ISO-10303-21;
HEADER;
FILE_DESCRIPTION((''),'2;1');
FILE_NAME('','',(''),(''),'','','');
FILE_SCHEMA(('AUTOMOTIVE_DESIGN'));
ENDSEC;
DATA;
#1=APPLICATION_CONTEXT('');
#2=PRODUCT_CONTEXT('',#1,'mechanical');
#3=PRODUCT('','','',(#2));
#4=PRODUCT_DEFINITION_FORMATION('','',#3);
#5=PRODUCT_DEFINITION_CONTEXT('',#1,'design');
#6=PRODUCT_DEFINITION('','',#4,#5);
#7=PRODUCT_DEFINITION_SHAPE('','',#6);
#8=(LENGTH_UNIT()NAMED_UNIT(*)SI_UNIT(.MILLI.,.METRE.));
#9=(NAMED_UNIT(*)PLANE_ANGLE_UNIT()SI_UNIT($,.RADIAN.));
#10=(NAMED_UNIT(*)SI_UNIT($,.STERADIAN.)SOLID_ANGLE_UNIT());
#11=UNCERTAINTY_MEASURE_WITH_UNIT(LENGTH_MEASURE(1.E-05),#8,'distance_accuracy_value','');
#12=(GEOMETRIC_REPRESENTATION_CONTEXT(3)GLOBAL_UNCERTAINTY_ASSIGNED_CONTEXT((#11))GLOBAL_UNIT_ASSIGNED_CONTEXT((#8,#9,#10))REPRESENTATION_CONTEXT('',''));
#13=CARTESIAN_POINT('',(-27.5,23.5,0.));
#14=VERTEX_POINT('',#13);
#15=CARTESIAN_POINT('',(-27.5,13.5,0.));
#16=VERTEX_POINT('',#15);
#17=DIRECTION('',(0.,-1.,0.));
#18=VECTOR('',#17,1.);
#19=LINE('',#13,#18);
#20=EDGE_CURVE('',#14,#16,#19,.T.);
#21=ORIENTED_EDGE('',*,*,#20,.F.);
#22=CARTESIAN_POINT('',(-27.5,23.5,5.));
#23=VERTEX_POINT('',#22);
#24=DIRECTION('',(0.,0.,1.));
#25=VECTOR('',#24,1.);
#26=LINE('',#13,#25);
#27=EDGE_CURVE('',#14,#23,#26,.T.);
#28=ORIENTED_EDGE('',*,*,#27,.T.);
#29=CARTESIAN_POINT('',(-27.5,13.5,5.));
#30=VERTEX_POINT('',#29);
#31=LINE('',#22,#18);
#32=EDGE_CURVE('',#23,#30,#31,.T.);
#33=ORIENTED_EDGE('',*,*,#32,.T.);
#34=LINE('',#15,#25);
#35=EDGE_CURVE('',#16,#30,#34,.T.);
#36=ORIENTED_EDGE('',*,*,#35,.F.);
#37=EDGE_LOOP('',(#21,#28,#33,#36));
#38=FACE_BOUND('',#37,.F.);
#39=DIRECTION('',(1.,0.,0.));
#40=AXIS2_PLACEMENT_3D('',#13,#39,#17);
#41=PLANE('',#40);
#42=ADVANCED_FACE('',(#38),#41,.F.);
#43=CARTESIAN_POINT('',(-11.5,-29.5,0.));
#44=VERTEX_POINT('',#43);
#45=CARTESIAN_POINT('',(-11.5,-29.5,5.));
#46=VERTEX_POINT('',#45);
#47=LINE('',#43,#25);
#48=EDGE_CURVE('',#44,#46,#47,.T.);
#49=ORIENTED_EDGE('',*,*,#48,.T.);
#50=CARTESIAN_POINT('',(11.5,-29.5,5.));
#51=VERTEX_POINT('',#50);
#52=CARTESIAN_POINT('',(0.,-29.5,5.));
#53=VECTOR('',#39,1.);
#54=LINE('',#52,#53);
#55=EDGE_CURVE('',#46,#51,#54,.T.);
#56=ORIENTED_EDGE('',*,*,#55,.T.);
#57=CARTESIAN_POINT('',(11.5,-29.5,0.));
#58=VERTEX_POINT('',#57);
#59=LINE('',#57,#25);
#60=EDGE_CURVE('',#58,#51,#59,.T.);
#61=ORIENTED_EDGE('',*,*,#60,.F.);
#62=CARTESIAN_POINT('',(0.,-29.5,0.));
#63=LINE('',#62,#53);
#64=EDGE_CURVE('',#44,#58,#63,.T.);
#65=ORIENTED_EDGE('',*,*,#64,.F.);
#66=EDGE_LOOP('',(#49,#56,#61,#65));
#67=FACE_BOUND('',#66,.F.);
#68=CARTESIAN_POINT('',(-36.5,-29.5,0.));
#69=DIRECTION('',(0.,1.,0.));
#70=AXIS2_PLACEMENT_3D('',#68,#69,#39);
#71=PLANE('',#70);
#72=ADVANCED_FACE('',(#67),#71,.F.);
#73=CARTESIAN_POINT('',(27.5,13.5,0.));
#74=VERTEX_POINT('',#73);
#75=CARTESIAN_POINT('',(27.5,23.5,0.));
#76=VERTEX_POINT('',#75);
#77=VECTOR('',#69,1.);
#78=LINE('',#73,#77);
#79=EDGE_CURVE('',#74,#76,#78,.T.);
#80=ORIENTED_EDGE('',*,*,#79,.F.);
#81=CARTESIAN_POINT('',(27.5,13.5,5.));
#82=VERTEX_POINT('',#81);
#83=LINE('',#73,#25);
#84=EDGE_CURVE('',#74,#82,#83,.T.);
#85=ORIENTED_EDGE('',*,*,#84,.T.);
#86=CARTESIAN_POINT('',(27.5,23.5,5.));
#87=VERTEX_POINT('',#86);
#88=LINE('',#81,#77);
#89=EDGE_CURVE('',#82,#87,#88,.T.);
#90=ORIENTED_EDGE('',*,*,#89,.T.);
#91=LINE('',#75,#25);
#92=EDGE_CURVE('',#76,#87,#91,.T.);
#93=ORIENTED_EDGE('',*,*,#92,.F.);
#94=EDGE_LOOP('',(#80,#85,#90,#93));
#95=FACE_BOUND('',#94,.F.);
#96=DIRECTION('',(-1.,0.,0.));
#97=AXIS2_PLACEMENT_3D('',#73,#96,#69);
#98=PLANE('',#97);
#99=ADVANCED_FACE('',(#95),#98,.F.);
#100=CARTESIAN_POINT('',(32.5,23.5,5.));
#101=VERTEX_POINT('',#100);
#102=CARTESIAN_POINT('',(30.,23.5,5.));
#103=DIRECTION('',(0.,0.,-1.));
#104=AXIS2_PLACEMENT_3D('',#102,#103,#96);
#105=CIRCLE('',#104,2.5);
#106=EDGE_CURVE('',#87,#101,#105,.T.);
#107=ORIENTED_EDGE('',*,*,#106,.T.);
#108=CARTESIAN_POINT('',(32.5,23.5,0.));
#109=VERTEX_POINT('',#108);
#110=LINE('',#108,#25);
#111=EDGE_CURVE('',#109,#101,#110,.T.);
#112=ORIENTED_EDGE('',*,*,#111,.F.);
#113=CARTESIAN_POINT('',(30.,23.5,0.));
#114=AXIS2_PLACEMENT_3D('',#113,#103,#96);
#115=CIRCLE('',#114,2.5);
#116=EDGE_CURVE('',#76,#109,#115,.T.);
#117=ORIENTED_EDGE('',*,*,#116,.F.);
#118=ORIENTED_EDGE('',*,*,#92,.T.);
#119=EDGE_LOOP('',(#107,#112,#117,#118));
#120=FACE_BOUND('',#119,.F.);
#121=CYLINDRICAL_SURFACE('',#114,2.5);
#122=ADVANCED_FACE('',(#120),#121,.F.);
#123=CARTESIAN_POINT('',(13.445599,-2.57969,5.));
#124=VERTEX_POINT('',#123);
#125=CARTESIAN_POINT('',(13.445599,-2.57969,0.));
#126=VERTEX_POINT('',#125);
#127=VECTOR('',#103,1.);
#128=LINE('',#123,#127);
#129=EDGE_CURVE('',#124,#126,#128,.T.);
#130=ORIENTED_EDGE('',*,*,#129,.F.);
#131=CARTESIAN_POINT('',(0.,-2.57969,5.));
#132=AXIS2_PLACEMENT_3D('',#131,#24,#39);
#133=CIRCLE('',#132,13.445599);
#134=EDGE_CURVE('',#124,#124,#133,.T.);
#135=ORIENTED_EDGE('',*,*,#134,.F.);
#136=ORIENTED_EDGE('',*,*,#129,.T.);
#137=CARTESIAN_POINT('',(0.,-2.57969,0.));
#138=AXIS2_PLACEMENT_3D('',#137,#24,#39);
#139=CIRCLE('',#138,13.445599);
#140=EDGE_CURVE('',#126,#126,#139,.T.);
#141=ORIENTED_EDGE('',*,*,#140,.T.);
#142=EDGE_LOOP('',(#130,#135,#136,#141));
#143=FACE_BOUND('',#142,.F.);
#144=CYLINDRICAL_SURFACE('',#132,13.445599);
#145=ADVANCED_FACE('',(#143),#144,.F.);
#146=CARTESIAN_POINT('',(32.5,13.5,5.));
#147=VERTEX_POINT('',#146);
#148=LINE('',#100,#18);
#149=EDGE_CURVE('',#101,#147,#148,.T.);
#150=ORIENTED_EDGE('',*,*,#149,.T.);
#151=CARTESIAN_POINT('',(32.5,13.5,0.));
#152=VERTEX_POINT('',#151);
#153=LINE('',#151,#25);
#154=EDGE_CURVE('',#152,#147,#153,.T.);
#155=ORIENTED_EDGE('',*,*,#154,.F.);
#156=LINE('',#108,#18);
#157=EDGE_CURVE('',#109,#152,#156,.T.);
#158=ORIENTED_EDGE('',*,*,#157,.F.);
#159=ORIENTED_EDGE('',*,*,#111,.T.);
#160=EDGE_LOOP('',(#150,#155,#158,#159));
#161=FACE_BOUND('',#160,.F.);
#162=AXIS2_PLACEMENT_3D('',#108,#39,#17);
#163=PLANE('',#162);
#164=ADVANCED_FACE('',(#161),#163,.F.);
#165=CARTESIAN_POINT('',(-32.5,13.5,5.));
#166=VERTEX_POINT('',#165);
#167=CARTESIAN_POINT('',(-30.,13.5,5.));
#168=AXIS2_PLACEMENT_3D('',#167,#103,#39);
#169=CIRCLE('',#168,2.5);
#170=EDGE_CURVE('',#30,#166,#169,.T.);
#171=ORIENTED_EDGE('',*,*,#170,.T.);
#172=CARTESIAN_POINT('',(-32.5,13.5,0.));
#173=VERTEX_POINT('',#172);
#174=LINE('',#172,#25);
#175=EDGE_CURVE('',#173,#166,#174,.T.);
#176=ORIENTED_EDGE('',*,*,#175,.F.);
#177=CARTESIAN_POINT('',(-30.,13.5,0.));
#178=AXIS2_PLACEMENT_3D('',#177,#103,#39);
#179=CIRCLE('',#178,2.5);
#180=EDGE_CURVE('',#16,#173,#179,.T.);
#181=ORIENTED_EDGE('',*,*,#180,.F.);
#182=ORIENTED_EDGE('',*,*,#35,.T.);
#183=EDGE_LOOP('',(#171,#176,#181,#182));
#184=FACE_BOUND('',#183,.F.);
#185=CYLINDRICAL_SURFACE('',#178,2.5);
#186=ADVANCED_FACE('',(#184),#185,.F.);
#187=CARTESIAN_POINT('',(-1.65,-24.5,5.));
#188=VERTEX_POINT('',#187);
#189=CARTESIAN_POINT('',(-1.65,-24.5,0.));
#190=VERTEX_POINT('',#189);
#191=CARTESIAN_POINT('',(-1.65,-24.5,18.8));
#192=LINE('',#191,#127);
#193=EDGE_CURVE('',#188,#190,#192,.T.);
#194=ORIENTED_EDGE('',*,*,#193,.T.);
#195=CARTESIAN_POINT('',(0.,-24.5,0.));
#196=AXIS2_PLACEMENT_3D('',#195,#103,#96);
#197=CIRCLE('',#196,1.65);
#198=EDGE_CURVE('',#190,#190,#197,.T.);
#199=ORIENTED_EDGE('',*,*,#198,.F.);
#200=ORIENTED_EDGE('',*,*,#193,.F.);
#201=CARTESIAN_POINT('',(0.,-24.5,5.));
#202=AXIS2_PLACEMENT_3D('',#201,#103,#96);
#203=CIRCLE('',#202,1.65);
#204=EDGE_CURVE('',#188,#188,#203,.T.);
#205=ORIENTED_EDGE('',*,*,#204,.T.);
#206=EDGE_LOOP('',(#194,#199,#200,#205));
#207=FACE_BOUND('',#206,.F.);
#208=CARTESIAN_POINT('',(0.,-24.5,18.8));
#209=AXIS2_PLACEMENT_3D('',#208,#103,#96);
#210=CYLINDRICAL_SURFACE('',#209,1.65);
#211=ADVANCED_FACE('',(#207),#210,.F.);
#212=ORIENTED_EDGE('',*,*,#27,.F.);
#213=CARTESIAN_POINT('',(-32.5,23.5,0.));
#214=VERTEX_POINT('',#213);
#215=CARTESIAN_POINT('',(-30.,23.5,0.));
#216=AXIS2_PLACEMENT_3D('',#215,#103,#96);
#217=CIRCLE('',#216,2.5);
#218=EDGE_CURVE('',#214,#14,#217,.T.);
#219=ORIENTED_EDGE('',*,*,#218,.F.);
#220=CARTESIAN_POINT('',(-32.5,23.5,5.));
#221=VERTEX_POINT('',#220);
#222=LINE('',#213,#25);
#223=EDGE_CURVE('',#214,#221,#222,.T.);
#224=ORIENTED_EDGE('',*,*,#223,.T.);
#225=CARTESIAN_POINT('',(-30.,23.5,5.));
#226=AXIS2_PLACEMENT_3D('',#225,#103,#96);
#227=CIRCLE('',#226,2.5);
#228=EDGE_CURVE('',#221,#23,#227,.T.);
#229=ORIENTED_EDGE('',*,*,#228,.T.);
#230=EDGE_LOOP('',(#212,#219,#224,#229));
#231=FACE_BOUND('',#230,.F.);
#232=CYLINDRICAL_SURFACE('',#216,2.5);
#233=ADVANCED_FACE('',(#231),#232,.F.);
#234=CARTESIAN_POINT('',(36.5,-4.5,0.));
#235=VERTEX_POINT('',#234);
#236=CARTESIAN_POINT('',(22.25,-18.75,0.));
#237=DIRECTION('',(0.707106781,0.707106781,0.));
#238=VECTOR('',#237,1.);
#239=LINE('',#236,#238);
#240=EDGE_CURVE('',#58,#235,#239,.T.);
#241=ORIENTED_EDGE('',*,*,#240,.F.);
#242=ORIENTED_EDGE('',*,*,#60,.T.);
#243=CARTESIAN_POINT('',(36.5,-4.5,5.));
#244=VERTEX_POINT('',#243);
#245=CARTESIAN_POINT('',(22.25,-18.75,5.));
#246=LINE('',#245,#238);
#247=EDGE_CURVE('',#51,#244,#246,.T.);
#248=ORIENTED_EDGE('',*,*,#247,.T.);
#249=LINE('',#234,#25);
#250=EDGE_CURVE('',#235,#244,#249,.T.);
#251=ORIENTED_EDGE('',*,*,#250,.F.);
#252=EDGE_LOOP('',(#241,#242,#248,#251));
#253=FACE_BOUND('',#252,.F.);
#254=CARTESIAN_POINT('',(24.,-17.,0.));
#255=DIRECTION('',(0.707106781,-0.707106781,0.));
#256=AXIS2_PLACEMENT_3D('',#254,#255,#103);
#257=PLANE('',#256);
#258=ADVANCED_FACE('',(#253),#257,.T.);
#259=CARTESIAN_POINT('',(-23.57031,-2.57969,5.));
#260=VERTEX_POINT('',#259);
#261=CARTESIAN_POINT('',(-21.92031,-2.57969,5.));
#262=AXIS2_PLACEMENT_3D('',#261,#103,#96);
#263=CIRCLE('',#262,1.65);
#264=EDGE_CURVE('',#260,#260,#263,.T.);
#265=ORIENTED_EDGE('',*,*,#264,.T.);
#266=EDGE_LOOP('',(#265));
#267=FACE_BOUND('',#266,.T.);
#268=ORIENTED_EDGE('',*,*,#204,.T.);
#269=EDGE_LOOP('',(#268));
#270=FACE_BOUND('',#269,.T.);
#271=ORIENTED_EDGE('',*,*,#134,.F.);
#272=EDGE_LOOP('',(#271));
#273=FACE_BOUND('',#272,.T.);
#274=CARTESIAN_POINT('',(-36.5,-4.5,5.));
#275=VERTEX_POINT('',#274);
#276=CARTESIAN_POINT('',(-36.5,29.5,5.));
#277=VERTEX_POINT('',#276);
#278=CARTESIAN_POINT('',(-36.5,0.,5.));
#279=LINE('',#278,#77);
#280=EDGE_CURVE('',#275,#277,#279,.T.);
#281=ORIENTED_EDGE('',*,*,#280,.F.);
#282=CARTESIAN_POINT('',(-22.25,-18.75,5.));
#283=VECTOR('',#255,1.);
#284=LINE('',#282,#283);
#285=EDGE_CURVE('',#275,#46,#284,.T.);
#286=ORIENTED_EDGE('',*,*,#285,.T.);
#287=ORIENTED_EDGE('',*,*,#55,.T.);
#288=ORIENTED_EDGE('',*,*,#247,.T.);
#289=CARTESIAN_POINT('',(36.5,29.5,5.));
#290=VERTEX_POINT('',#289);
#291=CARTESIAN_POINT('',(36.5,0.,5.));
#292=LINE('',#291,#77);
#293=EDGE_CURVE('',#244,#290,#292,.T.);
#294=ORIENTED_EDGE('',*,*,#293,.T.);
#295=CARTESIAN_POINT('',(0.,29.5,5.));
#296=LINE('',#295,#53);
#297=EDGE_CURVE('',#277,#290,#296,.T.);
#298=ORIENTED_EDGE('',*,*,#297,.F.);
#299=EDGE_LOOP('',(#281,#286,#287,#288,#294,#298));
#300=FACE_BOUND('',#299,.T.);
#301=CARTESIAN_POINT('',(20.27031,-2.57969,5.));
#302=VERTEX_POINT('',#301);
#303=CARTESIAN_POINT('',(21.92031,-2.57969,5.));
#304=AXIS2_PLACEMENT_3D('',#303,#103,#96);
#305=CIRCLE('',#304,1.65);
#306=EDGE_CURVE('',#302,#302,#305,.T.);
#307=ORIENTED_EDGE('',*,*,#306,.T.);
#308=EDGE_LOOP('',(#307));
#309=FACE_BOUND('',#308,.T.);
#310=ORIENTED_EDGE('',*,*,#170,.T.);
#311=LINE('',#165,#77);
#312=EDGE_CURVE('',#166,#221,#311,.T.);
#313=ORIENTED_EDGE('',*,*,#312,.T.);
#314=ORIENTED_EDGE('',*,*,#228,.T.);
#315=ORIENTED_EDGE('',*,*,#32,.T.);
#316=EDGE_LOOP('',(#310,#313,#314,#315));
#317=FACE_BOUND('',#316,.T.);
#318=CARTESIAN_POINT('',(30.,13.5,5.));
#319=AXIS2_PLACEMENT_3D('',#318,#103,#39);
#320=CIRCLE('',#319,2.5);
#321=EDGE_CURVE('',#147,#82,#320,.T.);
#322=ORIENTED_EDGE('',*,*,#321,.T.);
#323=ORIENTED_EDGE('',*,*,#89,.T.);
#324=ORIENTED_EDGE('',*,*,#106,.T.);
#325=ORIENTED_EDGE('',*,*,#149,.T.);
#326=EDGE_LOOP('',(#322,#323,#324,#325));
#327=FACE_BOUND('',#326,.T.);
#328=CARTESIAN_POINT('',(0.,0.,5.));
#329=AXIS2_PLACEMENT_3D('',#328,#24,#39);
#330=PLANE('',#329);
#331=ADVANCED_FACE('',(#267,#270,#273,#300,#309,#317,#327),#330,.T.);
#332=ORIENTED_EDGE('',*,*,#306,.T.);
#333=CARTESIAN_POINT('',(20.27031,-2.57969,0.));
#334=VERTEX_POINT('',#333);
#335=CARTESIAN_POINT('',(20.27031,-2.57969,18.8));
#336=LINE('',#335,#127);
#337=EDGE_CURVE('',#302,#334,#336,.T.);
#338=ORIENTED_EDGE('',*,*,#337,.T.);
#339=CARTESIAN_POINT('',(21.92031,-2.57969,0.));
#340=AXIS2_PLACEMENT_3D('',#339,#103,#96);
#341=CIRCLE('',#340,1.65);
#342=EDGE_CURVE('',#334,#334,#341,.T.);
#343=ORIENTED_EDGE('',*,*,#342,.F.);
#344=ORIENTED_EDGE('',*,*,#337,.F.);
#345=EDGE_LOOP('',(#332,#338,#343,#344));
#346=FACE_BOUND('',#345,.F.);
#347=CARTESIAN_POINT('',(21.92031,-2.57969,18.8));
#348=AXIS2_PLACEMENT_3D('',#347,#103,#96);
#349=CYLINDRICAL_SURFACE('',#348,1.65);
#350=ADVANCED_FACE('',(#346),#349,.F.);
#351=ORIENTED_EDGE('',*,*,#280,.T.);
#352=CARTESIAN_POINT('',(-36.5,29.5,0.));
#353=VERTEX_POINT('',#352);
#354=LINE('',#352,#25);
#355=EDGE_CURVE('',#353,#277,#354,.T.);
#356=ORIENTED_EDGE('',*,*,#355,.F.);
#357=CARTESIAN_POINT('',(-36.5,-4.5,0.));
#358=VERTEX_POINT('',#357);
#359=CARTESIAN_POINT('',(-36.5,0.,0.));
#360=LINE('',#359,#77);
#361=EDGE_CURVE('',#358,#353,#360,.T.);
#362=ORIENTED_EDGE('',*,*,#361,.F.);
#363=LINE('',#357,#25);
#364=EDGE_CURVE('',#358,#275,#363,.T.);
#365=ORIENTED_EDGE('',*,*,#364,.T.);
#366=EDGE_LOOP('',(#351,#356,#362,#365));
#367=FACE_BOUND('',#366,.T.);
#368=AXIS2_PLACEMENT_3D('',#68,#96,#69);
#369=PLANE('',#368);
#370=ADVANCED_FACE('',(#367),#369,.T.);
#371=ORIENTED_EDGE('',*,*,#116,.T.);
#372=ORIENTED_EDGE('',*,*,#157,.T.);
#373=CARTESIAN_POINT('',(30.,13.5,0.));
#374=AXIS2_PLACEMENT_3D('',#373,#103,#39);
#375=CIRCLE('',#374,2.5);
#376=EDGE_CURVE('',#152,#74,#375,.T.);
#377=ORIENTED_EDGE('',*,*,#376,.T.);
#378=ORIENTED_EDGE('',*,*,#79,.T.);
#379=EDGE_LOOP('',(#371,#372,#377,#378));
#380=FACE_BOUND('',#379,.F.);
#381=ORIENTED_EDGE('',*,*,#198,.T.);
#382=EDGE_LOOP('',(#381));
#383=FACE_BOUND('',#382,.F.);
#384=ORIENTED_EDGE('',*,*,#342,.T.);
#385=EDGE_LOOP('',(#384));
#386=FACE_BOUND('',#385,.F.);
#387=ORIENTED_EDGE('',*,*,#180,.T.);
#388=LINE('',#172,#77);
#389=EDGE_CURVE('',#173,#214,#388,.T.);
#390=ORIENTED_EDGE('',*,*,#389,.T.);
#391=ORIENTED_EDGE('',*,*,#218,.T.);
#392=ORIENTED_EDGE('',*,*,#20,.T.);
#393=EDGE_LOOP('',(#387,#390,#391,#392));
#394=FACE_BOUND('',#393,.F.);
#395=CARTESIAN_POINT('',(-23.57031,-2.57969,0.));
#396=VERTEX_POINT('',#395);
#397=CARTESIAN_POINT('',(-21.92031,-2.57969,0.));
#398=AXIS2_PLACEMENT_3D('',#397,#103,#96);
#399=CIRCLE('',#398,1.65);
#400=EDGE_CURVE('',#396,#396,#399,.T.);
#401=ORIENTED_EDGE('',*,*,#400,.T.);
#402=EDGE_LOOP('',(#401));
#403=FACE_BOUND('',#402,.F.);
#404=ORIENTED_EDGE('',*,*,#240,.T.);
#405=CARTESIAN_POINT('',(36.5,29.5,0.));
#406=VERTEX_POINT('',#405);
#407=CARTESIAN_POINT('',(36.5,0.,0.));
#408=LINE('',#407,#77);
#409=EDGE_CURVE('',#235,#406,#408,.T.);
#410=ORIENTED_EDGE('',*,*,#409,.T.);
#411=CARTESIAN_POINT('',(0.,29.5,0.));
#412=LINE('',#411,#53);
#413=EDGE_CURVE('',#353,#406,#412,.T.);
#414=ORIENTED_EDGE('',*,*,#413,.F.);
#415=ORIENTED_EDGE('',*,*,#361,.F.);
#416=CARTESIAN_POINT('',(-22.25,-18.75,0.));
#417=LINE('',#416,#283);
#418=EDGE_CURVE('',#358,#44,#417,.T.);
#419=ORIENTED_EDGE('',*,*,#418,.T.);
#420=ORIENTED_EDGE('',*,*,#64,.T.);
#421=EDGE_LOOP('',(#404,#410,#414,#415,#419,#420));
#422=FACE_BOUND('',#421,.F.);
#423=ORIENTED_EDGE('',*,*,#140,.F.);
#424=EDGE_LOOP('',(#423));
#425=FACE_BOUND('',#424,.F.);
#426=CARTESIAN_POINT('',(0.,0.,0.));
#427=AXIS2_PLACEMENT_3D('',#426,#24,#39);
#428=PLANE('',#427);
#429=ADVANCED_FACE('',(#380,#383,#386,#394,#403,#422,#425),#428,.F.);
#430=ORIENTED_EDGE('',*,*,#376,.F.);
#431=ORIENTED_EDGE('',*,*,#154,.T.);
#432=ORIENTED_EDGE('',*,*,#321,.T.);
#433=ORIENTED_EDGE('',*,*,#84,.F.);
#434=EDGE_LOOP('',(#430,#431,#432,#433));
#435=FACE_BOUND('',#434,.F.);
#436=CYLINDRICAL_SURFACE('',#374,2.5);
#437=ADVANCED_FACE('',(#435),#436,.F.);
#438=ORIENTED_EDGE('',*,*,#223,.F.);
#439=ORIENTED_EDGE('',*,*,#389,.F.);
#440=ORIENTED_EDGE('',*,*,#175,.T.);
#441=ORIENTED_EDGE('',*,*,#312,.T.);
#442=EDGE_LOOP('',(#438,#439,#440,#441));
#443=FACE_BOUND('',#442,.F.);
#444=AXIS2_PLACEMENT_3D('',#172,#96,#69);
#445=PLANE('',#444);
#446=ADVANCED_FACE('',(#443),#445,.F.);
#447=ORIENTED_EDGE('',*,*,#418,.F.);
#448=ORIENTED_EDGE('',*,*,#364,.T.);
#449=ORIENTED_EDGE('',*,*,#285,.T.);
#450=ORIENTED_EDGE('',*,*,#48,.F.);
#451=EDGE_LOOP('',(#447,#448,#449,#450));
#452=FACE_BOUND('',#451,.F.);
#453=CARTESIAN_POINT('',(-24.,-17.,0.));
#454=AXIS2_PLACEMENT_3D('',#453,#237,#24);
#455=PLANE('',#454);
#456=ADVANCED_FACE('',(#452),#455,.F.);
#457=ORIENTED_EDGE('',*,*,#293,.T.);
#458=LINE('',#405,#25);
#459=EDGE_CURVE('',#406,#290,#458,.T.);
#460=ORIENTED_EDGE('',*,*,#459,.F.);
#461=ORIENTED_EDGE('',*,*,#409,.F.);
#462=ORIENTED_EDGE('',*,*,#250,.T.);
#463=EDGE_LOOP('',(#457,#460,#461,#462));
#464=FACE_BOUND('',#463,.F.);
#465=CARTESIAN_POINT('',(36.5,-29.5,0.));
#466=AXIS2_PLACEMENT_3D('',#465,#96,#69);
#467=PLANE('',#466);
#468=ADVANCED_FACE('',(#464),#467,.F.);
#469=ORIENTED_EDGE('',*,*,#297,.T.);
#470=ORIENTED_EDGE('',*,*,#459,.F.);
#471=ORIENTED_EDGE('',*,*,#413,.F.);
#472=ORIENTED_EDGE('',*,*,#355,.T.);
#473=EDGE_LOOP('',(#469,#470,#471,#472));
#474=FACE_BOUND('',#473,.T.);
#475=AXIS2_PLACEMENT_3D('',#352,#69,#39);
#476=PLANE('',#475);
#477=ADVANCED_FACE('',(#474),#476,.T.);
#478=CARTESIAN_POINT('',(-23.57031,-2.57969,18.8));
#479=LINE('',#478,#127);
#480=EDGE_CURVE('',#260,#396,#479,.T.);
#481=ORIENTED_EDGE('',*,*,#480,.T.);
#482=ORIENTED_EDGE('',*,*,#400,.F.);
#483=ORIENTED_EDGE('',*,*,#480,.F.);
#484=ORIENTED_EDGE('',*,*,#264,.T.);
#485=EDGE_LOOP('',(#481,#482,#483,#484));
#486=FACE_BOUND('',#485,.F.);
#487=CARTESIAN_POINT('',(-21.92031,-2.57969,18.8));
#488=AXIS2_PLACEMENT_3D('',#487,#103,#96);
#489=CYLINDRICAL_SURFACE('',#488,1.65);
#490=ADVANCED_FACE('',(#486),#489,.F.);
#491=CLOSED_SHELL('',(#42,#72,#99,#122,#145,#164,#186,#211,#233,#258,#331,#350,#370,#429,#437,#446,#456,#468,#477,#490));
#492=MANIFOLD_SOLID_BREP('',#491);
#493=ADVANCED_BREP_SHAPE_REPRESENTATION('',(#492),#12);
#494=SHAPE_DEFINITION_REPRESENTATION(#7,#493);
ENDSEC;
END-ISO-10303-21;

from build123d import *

# Parameters (mm, degrees)
F0_W     = 73
F0_H     = 59
F1_DEPTH = 5
F2_SIZE  = 25
F4_D     = 3.3
F4_DEPTH = 13.8
F4_TIP   = 0.9914200214
F3_R     = 13.4455987062
F5_DEPTH = 5


with BuildPart() as f1:
    # F0 (on Top) → F1 (new body)
    with BuildSketch(Plane.XY):
        Rectangle(F0_W, F0_H)
        with BuildLine():
            Line((-32.5, 13.5), (-32.5, 23.5))
            ThreePointArc((-32.5, 23.5), (-30, 26), (-27.5, 23.5))
            Line((-27.5, 23.5), (-27.5, 13.5))
            ThreePointArc((-27.5, 13.5), (-30, 11), (-32.5, 13.5))
        make_face(mode=Mode.SUBTRACT)
        with BuildLine():
            Line((27.5, 13.5), (27.5, 23.5))
            ThreePointArc((27.5, 23.5), (30, 26), (32.5, 23.5))
            Line((32.5, 23.5), (32.5, 13.5))
            ThreePointArc((32.5, 13.5), (30, 11), (27.5, 13.5))
        make_face(mode=Mode.SUBTRACT)
    extrude(amount=F1_DEPTH)

    # F2
    f2_edges = [f1.edges().sort_by_distance(p)[0] for p in [
        (-36.5, -29.5, 2.5),
        (36.5, -29.5, 2.5),
    ]]
    chamfer(f2_edges, length=F2_SIZE)

    # F4
    with Locations(Plane.XY.offset(5)):
        with Locations((-21.9203102168, -2.5796897832), (0, -24.5), (21.9203102168, -2.5796897832)):
            Hole(F4_D / 2, depth=F4_DEPTH)
            with Locations((0, 0, -(F4_DEPTH + F4_TIP / 2))):  # 118° drill point
                Cone(0, F4_D / 2, F4_TIP, mode=Mode.SUBTRACT)

    # F3 (on face) → F5 (cut, through all)
    with BuildSketch(Plane.XY.offset(5)):
        with Locations((0, -2.5796897832)):
            Circle(F3_R)
    extrude(amount=-F5_DEPTH, mode=Mode.SUBTRACT)


solid = f1.part
